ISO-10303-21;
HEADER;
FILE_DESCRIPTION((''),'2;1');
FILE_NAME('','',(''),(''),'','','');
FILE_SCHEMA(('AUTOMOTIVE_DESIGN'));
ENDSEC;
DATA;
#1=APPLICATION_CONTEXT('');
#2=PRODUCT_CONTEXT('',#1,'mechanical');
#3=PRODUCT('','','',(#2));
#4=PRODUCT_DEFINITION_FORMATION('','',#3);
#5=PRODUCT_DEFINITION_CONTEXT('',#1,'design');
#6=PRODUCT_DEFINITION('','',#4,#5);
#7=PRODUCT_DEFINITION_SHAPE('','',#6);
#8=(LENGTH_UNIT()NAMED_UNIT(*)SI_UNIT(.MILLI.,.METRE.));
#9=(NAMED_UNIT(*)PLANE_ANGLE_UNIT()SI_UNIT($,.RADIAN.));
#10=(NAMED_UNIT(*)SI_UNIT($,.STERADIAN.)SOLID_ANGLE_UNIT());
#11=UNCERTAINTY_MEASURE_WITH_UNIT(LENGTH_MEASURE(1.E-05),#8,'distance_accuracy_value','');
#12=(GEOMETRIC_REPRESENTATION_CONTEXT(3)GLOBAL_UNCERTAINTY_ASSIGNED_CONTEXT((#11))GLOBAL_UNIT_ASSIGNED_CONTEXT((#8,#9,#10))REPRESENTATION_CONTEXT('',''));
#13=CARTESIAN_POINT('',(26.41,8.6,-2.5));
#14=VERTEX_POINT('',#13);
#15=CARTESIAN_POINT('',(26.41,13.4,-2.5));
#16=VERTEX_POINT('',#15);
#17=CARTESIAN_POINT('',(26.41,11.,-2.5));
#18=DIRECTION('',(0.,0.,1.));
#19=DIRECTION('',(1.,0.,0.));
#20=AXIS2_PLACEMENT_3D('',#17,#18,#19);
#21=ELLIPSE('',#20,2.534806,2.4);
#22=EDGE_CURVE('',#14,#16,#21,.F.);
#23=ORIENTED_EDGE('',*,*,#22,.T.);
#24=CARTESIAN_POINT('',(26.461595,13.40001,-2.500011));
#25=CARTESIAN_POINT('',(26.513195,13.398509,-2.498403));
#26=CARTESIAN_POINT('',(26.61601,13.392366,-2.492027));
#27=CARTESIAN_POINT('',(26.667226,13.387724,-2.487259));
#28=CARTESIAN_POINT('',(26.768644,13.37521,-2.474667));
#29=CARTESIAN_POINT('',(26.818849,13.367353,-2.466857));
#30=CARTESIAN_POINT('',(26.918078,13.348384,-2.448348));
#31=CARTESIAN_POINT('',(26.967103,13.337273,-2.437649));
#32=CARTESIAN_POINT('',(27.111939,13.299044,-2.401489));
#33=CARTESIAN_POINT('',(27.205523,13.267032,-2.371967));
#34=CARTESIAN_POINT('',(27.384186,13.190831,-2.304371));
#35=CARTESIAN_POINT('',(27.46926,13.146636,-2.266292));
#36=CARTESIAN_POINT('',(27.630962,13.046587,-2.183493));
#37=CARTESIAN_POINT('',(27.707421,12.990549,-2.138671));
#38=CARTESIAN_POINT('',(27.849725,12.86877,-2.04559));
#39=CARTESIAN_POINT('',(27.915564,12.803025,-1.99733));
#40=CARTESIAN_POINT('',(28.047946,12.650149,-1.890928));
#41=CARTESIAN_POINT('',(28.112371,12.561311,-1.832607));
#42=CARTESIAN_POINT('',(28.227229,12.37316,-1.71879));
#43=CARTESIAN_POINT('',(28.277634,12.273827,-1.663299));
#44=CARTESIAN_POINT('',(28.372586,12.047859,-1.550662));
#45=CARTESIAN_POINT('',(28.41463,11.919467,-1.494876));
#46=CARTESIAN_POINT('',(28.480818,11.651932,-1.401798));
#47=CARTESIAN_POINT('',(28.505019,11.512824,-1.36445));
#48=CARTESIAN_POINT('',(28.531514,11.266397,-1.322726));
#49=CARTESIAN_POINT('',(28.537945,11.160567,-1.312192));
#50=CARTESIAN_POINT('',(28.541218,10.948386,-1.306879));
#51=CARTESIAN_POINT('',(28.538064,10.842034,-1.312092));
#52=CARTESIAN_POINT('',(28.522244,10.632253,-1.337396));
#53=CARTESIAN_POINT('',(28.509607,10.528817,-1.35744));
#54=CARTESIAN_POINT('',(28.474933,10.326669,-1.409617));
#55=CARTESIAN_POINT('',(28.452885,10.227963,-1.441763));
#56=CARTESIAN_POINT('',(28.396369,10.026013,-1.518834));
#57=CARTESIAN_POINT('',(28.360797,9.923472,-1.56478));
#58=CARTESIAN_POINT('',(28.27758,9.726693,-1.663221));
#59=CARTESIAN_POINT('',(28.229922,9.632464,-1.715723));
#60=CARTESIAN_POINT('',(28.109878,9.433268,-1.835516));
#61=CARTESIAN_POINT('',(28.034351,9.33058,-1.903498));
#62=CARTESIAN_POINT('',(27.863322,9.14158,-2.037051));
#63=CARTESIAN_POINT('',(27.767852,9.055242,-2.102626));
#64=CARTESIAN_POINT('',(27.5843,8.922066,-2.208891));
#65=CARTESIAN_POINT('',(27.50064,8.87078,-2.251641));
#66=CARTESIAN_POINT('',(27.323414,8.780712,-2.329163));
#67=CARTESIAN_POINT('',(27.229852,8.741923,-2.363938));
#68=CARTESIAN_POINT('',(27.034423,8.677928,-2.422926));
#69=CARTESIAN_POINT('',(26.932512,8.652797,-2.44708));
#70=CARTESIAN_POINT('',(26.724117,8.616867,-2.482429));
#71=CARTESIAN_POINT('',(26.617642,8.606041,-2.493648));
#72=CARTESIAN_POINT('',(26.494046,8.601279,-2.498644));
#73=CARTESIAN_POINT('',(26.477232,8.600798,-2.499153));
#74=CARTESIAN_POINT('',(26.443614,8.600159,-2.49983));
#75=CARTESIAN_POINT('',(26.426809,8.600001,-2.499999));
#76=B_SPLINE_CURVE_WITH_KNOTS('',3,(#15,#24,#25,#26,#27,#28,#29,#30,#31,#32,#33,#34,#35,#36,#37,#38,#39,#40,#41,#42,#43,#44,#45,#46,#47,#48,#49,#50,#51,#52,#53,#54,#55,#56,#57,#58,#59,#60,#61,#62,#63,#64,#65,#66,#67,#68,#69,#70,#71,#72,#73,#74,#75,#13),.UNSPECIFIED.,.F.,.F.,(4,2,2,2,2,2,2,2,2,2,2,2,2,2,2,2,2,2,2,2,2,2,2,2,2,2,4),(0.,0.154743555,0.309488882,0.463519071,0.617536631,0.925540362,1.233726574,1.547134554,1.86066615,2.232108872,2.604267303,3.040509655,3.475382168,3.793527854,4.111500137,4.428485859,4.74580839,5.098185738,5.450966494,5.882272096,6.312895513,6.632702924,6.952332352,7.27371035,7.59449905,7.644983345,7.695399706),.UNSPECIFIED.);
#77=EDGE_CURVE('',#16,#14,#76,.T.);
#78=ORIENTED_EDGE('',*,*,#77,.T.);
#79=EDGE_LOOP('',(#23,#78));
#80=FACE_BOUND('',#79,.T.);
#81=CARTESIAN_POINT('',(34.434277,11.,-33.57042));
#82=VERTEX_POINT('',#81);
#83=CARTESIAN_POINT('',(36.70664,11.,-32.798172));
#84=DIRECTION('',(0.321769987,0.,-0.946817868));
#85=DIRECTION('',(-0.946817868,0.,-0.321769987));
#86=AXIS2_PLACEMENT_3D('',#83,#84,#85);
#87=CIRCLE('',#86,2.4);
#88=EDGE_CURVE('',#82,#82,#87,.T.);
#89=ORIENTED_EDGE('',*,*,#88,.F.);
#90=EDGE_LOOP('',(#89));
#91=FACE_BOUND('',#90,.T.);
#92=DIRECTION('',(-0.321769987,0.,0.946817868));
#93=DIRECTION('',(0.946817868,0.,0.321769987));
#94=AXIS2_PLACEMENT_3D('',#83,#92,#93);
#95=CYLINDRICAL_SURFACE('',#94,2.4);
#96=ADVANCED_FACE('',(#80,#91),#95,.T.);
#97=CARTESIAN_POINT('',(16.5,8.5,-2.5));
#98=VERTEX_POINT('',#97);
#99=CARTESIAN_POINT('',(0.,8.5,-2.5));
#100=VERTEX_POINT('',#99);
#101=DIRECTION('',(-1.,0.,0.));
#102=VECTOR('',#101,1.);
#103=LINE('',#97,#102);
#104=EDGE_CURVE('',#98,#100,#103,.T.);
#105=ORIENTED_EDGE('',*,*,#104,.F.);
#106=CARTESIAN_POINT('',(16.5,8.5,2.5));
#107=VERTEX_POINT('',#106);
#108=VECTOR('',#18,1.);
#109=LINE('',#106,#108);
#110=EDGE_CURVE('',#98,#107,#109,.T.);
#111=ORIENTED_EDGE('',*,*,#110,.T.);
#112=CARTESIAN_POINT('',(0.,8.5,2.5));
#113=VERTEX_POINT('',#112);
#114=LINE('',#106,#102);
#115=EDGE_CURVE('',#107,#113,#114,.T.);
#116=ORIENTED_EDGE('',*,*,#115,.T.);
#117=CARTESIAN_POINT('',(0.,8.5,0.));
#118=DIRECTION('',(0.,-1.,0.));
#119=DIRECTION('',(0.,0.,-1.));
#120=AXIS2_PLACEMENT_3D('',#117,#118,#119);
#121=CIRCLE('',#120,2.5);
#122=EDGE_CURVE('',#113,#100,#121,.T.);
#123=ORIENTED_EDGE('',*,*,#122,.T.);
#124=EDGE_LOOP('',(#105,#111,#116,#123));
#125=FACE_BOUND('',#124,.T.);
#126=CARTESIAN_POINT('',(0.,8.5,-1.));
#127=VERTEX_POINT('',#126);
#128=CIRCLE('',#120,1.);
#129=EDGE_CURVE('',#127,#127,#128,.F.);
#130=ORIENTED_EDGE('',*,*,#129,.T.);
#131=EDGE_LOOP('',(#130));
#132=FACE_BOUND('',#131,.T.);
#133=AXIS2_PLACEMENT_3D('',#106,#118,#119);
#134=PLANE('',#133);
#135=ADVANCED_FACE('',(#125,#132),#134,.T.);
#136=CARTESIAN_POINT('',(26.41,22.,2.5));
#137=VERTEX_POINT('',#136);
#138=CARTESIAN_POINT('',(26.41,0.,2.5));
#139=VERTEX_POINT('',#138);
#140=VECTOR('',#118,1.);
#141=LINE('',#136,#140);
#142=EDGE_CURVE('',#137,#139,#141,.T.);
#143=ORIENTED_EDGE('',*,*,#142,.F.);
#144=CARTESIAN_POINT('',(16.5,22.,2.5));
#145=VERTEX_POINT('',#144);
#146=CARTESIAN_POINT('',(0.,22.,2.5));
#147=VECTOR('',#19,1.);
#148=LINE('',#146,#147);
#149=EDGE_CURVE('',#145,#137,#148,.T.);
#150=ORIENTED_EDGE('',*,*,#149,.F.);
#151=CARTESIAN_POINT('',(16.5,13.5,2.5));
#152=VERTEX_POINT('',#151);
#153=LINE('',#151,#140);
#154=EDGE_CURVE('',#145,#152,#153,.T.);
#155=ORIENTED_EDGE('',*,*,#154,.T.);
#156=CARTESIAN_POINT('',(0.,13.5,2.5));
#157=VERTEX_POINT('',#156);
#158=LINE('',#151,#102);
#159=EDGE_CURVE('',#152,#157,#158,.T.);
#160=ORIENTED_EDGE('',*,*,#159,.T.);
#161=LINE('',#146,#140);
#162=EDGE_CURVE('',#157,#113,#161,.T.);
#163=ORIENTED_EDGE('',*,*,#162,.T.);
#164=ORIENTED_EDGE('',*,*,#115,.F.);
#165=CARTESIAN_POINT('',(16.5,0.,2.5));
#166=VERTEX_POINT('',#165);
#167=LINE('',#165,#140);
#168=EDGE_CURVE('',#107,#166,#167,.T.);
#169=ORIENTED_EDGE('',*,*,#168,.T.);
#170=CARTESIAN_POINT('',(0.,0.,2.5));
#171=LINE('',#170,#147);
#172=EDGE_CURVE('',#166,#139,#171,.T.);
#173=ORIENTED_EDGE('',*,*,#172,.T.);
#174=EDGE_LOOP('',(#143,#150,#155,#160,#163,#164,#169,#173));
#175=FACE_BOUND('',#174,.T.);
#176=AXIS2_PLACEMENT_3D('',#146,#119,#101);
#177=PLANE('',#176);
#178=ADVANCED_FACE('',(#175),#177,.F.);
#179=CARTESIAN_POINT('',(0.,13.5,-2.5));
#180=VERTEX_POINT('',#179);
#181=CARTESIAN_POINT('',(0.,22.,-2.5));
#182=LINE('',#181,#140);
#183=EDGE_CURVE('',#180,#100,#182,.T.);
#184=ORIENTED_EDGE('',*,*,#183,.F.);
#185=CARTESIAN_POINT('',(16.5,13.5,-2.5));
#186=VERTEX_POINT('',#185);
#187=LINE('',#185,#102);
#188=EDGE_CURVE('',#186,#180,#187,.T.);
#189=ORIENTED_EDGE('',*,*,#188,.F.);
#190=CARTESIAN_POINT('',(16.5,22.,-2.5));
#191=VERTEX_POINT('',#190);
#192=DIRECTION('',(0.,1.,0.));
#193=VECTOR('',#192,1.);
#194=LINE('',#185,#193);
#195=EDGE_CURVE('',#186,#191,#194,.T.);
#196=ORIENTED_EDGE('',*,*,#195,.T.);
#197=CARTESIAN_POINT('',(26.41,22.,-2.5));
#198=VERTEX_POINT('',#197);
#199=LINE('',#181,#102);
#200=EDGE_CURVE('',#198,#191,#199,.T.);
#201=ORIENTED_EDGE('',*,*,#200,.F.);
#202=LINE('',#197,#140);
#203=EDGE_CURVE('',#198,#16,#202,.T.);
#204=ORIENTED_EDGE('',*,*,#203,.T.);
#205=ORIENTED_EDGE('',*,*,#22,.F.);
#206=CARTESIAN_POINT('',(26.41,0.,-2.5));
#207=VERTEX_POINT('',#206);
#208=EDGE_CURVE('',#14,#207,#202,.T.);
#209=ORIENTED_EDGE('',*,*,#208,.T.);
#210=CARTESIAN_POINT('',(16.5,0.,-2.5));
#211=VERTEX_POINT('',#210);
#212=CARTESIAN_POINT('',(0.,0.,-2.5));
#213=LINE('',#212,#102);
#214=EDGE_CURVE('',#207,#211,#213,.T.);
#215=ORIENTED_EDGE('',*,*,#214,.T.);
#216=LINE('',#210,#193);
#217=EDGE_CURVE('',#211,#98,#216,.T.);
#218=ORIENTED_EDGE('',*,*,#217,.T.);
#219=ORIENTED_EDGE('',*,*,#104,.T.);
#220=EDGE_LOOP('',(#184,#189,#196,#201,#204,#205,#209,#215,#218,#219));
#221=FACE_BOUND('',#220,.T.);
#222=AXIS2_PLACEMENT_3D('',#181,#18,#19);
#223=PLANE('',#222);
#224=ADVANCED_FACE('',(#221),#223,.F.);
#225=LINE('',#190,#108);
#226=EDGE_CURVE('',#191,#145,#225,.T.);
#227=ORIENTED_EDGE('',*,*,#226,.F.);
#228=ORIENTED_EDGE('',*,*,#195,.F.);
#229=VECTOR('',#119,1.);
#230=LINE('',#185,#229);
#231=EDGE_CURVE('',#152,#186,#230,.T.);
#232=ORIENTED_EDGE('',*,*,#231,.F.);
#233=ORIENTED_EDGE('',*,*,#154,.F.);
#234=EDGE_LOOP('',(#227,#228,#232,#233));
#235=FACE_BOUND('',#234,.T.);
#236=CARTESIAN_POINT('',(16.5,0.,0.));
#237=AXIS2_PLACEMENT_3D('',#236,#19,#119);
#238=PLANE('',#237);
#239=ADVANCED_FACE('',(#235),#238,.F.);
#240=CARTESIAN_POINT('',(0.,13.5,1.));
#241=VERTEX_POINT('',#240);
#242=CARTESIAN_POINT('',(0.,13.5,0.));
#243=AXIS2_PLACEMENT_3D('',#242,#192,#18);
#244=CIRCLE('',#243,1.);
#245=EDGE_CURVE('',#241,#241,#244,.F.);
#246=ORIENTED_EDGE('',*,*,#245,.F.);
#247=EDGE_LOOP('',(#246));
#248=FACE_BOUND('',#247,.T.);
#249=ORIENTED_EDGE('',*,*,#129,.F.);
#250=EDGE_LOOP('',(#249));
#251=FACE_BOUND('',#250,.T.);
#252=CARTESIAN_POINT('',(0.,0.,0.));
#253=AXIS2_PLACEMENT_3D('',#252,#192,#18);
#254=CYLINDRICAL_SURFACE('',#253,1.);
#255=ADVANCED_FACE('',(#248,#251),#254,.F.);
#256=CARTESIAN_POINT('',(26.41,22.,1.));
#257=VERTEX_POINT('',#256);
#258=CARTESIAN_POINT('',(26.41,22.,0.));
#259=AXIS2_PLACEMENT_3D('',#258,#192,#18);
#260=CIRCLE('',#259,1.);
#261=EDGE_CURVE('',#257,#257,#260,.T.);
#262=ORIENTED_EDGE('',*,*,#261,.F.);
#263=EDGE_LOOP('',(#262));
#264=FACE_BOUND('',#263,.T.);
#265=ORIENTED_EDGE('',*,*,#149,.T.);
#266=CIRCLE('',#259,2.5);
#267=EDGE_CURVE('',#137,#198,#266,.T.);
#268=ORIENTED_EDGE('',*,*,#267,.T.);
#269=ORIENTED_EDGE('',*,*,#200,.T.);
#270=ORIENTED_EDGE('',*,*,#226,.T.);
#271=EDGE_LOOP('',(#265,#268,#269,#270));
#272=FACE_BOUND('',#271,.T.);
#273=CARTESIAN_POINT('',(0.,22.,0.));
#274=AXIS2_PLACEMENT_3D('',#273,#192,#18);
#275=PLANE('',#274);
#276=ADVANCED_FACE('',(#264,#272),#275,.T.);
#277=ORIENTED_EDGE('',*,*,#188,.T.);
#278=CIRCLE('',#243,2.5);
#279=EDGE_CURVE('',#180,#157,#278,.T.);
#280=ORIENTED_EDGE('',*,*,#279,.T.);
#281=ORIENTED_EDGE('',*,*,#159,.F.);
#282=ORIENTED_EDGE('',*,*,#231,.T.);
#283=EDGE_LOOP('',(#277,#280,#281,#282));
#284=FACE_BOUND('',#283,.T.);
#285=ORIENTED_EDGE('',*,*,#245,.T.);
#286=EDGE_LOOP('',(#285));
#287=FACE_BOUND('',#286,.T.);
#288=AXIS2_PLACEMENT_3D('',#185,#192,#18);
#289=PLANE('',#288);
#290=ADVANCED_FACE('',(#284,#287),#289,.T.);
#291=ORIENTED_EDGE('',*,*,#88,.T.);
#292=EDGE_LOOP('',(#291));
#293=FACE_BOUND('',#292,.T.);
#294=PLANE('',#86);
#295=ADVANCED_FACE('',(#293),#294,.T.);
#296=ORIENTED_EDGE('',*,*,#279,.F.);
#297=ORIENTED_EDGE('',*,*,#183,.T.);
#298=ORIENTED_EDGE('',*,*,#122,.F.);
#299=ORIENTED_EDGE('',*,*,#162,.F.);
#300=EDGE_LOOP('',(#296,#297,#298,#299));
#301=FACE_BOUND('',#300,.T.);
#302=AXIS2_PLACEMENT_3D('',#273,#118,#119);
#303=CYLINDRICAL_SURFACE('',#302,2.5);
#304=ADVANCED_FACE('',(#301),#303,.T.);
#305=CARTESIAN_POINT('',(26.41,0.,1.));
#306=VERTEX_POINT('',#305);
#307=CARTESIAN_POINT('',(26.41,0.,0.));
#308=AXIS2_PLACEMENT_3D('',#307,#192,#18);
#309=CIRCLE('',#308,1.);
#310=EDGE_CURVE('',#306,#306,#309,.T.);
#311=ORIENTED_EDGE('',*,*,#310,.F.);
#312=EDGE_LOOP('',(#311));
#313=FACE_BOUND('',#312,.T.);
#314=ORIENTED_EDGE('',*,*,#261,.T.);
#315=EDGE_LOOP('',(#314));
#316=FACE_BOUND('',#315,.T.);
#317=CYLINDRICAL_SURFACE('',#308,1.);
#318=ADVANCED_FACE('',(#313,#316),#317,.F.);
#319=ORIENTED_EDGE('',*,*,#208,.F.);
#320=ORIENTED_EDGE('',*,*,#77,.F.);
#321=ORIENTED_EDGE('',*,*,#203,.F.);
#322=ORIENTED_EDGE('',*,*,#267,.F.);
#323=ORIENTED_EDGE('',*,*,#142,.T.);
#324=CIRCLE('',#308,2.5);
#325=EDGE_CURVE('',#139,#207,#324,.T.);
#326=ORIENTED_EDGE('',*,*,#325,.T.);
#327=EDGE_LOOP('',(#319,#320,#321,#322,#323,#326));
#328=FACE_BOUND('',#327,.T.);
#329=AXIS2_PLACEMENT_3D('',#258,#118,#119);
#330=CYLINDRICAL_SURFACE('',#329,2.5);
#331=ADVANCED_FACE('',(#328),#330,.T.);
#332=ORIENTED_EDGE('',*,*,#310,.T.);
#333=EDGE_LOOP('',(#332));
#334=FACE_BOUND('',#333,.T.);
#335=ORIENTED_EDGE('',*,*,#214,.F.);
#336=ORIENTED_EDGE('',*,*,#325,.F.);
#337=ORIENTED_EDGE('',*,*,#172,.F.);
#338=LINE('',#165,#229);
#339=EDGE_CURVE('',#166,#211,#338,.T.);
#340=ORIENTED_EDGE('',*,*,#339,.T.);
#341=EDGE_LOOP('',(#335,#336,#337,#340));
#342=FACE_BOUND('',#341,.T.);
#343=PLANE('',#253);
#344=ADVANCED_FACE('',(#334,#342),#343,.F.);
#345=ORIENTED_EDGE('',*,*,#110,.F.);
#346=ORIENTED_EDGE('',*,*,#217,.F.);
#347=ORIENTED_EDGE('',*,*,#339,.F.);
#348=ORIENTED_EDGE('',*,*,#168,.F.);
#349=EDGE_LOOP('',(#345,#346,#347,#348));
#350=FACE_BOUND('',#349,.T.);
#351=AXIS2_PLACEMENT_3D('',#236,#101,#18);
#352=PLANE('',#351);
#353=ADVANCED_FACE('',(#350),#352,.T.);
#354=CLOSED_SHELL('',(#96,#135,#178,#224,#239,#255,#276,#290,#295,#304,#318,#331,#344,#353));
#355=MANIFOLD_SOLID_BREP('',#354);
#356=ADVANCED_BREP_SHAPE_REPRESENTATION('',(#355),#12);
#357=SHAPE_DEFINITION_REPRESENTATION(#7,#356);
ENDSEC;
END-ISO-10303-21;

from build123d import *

# Parameters (mm, degrees)
BOSS_EXTRUDE1_DEPTH = 22
SKETCH2_R           = 1
CUT_EXTRUDE1_DEPTH  = 22
SKETCH3_W           = 5
SKETCH3_H           = 8.5
CUT_EXTRUDE7_DEPTH  = 19
BOSS_EXTRUDE3_START = -0.815625
SKETCH5_R           = 2.4
BOSS_EXTRUDE3_DEPTH = 32.815625


with BuildPart() as part:
    # Sketch1 → Boss-Extrude1 (new body)
    with BuildSketch(Plane(origin=(0, 0, 0), x_dir=(1, 0, 0), z_dir=(0, 1, 0))):
        with BuildLine():
            Line((0, 2.5), (26.41, 2.5))
            ThreePointArc((26.41, 2.5), (28.91, 0), (26.41, -2.5))
            Line((26.41, -2.5), (0, -2.5))
            ThreePointArc((0, -2.5), (-2.5, 0), (0, 2.5))
        make_face()
    extrude(amount=BOSS_EXTRUDE1_DEPTH)

    # Sketch2 → Cut-Extrude1 (cut)
    with BuildSketch(Plane(origin=(0, 22, 0), x_dir=(1, 0, 0), z_dir=(0, 1, 0))):
        Circle(SKETCH2_R)
        with Locations((26.41, 0)):
            Circle(SKETCH2_R)
    extrude(amount=-CUT_EXTRUDE1_DEPTH, mode=Mode.SUBTRACT)

    # Sketch3 → Cut-Extrude7 (cut)
    with BuildSketch(Plane(origin=(-2.5, 0, 0), x_dir=(0, 0, -1), z_dir=(1, 0, 0))):
        with Locations((0, 17.75)):
            Rectangle(SKETCH3_W, SKETCH3_H)
        with Locations((0, 4.25)):
            Rectangle(SKETCH3_W, SKETCH3_H)
    extrude(amount=CUT_EXTRUDE7_DEPTH, mode=Mode.SUBTRACT)

    # Sketch5 → Boss-Extrude3 (add)
    with BuildSketch(Plane(origin=(3.496027694, 0, -10.287166689), x_dir=(0, -1, 0), z_dir=(0.321769987, 0, -0.946817868)).offset(BOSS_EXTRUDE3_START)):
        with Locations((-11, -24.201034934)):
            Circle(SKETCH5_R)
    extrude(amount=BOSS_EXTRUDE3_DEPTH)


solid = part.part
